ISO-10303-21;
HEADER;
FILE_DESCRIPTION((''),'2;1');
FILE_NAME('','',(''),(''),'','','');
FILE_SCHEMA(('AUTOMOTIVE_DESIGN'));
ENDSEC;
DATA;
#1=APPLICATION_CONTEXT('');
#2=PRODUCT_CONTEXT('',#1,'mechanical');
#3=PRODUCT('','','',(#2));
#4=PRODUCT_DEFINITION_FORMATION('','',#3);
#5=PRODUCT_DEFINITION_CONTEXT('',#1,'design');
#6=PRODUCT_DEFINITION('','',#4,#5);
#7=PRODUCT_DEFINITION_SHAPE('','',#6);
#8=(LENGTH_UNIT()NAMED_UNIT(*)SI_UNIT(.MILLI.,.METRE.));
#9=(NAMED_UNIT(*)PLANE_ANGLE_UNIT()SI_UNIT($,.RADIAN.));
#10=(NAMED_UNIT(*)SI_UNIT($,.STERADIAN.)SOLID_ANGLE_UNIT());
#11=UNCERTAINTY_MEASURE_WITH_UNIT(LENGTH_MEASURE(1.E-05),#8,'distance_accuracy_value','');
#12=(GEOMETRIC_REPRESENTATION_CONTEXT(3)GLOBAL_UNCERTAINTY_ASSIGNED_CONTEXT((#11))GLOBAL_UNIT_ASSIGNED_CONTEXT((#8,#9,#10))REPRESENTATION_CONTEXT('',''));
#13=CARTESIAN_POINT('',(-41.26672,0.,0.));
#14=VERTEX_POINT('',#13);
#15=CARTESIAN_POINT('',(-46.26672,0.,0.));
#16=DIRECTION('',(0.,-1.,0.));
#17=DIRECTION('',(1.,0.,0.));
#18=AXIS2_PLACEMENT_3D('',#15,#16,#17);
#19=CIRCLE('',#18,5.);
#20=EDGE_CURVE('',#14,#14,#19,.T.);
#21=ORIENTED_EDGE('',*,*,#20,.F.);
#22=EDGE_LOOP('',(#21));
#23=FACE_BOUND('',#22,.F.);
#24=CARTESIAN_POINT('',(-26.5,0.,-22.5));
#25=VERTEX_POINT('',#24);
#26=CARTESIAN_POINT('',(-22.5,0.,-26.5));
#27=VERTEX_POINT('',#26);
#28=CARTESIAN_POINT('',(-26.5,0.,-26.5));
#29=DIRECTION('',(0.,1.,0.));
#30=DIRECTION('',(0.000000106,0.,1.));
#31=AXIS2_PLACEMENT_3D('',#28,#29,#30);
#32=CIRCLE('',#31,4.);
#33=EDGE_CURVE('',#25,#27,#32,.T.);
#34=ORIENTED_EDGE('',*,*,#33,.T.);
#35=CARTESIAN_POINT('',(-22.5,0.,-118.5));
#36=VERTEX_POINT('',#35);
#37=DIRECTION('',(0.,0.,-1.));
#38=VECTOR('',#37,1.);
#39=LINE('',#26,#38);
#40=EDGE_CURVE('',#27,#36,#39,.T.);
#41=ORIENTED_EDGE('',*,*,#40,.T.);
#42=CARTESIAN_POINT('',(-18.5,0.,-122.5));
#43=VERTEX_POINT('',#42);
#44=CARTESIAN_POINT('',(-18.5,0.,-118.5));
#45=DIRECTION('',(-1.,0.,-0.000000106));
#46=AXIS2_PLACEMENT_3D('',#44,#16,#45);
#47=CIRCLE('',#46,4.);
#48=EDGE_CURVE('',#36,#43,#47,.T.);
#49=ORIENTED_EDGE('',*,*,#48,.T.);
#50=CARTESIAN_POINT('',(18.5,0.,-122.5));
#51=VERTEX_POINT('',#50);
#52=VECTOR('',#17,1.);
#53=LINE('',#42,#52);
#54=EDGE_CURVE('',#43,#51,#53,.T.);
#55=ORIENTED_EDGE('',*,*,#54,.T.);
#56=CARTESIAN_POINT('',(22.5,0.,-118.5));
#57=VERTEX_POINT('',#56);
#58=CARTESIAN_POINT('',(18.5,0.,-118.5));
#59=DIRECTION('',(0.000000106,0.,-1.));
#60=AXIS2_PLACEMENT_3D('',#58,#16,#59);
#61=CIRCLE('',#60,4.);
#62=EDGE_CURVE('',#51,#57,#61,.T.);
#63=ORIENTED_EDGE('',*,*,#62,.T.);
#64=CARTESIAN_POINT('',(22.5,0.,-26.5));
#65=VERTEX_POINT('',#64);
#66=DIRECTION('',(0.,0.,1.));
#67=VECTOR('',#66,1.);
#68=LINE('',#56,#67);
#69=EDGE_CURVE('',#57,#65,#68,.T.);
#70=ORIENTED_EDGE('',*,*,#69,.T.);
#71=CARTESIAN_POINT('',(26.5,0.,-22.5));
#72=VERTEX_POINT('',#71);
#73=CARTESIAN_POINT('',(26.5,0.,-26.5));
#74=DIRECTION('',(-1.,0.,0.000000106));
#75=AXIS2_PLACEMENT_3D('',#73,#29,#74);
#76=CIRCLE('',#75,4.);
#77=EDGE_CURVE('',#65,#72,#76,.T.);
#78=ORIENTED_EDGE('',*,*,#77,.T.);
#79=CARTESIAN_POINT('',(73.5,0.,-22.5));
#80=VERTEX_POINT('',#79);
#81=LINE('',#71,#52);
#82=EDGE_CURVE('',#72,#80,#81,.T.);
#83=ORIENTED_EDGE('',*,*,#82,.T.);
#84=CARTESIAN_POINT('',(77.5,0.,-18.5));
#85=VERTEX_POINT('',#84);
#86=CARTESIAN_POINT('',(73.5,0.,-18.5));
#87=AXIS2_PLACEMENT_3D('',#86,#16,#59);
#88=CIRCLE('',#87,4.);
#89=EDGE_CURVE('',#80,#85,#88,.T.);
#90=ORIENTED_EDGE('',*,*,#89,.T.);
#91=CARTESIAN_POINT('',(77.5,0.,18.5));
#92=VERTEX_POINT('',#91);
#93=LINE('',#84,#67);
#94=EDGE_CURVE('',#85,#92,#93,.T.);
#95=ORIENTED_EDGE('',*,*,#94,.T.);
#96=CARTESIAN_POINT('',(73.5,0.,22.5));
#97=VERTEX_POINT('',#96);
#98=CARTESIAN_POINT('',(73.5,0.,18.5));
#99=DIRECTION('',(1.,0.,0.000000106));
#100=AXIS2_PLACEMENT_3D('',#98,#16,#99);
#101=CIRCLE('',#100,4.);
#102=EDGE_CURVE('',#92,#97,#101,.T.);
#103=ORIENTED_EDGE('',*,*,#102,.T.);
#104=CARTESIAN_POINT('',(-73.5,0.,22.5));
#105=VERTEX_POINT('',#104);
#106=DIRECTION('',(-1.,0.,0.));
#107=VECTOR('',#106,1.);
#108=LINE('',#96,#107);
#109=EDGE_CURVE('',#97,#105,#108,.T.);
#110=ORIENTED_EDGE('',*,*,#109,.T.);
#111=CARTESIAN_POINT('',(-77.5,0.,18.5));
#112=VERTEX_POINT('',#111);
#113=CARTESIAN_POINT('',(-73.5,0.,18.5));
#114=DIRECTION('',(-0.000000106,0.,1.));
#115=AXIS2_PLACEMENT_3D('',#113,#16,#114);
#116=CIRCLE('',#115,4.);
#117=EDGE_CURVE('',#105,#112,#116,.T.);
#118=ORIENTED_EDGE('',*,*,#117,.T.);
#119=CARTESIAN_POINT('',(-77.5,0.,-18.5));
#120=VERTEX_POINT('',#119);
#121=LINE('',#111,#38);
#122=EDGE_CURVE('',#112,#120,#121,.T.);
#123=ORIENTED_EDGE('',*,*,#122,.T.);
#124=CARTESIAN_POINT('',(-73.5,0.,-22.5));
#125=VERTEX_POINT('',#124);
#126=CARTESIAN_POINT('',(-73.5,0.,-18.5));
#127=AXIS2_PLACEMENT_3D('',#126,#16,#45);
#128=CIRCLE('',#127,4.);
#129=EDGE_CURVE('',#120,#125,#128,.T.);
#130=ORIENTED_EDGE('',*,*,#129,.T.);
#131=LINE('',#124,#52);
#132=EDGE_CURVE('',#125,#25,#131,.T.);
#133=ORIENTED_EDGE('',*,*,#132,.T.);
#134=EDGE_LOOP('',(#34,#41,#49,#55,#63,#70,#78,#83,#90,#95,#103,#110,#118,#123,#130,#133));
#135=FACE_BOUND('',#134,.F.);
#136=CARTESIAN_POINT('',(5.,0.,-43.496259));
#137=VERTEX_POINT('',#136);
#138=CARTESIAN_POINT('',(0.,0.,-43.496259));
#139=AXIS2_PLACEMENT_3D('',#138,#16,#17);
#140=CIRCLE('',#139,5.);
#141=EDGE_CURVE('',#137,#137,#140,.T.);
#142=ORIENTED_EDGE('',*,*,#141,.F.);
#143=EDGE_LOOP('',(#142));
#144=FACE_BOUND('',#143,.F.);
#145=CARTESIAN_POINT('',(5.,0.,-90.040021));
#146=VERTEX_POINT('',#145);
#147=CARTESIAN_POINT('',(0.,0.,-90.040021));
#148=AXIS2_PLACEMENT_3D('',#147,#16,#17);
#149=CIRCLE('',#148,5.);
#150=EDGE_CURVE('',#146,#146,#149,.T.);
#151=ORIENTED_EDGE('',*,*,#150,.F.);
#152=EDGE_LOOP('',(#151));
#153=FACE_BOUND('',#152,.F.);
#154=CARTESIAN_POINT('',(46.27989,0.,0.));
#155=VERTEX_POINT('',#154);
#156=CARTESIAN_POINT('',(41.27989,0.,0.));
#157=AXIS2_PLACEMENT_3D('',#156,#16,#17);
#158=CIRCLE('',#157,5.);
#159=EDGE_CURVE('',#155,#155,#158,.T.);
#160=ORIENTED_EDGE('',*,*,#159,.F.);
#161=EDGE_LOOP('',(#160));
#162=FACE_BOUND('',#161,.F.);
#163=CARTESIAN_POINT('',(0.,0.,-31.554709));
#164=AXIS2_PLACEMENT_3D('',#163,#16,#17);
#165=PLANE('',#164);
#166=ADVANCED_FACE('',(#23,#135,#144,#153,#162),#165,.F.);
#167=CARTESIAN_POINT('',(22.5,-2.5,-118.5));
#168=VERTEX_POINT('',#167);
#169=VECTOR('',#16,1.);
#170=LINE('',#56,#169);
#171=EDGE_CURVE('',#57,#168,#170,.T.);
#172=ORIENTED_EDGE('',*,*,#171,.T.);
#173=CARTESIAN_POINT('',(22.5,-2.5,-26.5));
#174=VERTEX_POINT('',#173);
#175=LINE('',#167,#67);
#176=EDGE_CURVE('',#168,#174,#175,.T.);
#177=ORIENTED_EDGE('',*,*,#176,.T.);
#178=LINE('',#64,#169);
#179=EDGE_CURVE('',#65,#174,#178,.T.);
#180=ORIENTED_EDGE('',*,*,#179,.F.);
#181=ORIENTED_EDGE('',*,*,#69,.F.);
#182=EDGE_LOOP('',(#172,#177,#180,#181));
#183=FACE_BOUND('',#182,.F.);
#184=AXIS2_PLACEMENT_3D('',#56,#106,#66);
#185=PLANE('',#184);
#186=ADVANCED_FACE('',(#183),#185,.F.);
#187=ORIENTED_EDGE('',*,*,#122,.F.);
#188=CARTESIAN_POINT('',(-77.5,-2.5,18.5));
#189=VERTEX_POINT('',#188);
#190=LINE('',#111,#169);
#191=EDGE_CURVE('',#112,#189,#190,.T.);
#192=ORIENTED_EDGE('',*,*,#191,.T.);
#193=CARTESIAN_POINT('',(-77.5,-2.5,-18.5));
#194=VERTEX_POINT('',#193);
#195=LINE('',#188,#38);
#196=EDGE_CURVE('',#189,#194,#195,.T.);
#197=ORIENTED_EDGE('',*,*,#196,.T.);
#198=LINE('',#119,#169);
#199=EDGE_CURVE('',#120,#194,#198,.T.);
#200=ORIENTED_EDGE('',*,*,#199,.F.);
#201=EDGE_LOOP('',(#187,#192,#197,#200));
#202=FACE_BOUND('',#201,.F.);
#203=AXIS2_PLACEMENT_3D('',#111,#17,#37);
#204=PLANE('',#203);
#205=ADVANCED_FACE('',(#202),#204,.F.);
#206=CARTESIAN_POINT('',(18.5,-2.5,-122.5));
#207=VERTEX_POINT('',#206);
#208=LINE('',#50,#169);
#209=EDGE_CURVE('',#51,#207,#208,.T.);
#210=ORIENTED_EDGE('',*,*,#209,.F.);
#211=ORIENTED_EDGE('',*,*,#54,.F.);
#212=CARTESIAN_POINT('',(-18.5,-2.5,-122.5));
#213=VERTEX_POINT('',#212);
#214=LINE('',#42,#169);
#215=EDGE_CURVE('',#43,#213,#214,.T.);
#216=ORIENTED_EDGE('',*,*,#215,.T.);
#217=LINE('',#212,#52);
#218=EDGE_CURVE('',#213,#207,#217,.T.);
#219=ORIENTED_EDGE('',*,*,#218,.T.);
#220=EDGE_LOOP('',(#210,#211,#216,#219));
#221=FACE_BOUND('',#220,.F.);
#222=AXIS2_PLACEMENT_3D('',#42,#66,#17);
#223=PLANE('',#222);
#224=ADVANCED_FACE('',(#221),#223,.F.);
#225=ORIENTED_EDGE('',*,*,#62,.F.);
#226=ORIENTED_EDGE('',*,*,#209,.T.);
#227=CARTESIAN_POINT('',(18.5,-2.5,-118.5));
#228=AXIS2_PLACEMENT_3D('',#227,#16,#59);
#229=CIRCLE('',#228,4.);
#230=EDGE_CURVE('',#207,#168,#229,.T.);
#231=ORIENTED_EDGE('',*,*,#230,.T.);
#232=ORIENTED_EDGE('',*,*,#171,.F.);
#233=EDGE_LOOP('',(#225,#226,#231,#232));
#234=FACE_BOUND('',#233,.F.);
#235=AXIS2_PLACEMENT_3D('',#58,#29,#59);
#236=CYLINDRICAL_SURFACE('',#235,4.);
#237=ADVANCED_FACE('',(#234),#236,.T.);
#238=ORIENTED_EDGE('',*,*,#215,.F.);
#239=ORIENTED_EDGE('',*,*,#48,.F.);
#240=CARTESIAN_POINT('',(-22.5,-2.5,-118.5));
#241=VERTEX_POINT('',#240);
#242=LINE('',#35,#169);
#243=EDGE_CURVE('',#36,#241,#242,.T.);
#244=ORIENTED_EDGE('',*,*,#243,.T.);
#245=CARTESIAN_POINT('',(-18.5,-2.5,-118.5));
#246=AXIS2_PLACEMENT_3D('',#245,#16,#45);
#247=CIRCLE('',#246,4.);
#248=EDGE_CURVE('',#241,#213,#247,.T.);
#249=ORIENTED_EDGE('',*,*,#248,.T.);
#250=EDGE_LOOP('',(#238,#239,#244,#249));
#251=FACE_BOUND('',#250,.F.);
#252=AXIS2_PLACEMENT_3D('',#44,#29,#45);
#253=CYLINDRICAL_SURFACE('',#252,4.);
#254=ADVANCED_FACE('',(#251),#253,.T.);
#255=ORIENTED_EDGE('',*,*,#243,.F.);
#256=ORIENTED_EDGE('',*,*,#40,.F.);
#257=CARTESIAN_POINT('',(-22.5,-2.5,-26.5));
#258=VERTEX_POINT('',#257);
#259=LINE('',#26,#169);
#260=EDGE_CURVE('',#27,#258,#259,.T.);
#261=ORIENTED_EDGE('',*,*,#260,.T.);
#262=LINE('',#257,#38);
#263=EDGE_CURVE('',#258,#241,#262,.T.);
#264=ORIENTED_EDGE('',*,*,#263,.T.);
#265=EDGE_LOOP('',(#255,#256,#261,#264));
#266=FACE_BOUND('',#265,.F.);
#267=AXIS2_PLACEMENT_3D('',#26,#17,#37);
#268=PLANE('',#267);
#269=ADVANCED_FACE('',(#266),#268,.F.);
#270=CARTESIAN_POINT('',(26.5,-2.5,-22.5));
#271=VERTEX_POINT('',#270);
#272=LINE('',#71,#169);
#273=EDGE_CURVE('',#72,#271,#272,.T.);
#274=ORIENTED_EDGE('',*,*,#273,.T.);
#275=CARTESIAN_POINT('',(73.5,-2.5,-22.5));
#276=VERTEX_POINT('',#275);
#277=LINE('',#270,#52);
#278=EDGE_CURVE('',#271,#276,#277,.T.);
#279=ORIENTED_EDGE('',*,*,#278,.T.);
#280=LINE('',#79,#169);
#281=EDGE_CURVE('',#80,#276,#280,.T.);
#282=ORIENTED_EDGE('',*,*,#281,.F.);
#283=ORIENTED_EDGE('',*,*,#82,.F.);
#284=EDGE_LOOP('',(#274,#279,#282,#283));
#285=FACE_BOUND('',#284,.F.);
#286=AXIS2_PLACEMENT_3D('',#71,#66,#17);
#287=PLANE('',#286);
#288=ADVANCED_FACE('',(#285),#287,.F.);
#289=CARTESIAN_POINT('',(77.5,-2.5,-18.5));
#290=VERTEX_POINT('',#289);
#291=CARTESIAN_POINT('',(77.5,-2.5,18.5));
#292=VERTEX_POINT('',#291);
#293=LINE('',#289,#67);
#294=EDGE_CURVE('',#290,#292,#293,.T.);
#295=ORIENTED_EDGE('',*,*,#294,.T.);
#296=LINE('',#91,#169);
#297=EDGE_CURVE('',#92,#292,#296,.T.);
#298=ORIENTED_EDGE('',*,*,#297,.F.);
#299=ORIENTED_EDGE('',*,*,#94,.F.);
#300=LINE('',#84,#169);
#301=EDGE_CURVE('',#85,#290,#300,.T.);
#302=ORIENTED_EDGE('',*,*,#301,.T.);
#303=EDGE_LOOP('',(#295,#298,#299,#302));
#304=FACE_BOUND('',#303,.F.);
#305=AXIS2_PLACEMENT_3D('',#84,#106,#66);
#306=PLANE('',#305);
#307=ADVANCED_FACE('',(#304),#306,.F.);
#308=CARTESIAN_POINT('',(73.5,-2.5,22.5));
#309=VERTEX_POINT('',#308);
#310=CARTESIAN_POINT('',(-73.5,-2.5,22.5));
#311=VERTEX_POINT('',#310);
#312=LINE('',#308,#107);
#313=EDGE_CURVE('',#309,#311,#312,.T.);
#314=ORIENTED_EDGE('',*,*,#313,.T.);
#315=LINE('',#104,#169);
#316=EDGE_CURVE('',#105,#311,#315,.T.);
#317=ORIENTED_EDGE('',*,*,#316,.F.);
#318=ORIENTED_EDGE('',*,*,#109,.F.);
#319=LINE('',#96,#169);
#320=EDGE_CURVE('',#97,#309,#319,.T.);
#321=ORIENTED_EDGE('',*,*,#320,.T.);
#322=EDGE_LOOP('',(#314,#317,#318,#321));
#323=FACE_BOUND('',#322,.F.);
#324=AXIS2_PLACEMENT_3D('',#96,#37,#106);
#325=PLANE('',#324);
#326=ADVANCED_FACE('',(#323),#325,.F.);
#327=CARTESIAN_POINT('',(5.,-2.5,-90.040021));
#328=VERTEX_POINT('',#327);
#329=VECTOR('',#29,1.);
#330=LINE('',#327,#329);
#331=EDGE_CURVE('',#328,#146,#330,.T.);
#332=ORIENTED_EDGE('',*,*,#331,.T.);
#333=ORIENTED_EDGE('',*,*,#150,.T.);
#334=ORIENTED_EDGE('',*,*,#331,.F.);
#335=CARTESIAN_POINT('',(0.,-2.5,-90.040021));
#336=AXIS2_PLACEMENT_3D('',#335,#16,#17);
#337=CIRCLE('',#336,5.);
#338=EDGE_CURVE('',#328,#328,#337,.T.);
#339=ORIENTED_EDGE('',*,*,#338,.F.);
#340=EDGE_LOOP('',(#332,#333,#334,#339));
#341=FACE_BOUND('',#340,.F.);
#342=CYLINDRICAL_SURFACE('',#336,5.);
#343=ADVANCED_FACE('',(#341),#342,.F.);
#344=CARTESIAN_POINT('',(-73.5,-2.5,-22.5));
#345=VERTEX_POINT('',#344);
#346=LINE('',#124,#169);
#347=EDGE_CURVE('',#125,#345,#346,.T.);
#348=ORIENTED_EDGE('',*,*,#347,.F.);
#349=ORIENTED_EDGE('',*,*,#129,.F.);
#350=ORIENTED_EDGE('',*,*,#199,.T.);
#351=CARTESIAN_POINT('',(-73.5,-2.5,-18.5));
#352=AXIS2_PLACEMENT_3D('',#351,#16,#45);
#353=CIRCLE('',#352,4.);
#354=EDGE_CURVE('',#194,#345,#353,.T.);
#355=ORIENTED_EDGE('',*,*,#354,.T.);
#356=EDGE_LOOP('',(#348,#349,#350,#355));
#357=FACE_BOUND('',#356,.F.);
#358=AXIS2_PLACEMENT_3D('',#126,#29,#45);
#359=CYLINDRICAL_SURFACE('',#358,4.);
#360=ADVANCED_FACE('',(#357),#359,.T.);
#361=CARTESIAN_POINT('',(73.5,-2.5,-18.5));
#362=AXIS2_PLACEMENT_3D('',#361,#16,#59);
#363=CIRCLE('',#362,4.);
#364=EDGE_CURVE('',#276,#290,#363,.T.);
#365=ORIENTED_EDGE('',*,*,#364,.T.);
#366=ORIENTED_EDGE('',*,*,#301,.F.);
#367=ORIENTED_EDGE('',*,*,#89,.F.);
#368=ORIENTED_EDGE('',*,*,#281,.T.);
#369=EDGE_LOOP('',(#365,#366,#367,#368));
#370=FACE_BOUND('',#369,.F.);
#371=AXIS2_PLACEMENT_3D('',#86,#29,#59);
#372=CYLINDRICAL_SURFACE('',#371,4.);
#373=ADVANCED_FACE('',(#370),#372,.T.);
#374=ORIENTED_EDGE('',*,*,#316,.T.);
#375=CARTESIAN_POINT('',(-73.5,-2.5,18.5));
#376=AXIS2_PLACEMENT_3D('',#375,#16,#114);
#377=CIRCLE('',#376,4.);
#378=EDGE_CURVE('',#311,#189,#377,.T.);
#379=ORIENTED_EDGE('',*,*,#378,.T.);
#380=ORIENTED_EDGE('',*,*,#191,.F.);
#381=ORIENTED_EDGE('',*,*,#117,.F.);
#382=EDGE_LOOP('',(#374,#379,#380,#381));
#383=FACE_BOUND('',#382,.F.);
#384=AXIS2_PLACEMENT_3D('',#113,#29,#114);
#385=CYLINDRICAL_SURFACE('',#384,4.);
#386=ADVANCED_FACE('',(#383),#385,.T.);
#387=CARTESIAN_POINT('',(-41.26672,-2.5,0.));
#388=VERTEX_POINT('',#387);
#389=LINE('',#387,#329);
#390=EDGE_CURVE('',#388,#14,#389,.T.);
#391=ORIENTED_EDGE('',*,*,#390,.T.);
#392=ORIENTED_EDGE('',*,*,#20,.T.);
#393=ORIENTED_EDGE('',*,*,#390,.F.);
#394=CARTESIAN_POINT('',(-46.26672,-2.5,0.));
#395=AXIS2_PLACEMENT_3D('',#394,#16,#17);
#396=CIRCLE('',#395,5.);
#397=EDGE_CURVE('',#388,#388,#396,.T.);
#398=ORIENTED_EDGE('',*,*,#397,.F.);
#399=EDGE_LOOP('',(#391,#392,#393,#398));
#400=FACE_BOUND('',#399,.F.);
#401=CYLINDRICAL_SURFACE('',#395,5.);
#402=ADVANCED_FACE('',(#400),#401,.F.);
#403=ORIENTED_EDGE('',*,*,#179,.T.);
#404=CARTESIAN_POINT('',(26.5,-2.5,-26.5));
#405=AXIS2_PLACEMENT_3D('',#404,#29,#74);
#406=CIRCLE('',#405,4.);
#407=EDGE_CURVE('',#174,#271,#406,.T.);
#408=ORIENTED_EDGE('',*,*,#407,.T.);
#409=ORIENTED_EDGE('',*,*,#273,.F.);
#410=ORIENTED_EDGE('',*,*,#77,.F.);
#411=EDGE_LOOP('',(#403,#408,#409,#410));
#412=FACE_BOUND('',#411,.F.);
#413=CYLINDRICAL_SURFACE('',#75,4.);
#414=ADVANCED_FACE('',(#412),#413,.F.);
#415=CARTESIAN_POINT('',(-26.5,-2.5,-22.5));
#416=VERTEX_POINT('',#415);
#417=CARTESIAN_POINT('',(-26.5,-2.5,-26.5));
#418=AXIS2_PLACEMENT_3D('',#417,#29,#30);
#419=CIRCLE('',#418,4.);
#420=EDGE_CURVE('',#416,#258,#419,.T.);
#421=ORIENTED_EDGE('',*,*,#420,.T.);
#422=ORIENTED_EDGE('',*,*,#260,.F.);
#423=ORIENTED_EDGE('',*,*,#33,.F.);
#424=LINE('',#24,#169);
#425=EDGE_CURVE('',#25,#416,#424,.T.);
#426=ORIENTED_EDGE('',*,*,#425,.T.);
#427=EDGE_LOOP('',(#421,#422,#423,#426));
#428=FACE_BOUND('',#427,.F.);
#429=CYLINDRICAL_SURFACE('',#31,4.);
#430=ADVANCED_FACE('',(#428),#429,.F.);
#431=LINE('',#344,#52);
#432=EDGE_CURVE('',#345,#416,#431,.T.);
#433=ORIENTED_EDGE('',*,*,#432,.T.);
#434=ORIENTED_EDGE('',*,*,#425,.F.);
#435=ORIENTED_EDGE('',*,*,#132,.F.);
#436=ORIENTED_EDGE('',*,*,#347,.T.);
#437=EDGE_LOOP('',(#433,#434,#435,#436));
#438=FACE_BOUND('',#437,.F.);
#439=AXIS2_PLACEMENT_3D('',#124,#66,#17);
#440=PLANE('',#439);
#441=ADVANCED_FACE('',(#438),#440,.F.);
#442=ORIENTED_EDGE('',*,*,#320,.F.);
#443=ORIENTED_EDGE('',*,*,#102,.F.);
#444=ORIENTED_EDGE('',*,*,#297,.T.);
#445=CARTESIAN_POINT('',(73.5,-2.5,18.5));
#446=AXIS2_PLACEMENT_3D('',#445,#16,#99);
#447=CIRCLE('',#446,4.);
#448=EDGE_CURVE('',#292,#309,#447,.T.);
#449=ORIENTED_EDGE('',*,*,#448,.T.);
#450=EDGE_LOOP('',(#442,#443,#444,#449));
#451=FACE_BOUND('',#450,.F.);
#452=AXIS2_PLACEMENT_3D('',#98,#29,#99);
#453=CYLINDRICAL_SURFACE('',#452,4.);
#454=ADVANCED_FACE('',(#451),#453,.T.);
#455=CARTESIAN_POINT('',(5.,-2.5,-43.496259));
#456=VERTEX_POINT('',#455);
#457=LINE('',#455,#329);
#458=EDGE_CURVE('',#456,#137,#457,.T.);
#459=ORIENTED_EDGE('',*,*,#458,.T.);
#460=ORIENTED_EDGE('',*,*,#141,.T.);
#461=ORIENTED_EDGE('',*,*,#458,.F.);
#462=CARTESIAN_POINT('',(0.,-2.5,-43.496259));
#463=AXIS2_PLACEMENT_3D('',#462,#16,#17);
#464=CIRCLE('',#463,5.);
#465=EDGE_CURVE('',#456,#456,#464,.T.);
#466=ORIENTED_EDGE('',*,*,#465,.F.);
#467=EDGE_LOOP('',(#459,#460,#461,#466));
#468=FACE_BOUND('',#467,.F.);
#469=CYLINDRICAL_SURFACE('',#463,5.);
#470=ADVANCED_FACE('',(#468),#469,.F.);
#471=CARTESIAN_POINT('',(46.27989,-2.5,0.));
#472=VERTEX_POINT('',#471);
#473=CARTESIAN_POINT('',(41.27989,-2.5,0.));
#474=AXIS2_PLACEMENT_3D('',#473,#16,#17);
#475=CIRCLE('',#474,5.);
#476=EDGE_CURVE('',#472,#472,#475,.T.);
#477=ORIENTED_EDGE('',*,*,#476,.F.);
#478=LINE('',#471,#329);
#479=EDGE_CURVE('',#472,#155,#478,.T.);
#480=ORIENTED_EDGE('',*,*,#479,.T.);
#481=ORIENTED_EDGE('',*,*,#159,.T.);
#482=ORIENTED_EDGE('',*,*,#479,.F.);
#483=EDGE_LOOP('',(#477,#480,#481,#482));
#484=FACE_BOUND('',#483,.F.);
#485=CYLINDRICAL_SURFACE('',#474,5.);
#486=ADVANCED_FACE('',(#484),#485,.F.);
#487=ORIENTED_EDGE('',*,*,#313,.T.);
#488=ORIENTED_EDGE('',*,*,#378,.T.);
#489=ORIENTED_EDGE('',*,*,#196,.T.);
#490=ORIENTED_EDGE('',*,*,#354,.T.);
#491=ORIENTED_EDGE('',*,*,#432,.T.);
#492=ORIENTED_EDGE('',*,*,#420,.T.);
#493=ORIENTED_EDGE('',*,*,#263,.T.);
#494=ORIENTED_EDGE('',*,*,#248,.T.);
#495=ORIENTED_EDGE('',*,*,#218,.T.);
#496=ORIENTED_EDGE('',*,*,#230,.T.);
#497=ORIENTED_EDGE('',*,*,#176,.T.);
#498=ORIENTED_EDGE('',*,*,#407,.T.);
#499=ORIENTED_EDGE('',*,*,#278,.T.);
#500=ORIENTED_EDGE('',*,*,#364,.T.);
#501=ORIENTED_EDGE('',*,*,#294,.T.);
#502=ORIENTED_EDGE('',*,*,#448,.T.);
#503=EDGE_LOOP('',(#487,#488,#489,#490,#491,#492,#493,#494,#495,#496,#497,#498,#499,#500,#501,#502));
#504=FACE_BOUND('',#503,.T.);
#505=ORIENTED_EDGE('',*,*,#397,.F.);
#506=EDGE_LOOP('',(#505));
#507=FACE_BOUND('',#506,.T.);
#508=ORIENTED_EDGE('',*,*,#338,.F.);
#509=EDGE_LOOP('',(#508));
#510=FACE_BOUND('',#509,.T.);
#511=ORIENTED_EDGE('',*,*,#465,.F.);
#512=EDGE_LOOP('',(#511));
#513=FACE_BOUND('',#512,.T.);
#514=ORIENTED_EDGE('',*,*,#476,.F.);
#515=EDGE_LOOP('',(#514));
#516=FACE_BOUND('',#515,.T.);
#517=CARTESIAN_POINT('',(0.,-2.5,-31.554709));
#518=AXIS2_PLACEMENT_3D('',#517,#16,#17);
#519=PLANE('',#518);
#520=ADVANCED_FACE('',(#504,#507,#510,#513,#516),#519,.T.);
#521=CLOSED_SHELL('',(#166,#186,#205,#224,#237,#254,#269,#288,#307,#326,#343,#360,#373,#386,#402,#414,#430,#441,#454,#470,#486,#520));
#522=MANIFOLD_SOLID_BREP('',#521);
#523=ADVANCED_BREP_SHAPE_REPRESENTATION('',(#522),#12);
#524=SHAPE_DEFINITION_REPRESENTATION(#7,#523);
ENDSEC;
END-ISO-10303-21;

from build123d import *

# Parameters (mm, degrees)
F1_DEPTH = 2.5
F2_R     = 5
F3_DEPTH = 2.501


with BuildPart() as f1:
    # F0 (on Front) → F1 (new body)
    with BuildSketch(Plane.XZ):
        with BuildLine():
            ThreePointArc((77.5, 18.5), (76.328427, 21.328427), (73.5, 22.5))
            Line((73.5, 22.5), (-73.5, 22.5))
            ThreePointArc((-73.5, 22.5), (-76.328427, 21.328427), (-77.5, 18.5))
            Line((-77.5, 18.5), (-77.5, -18.5))
            ThreePointArc((-77.5, -18.5), (-76.328427, -21.328427), (-73.5, -22.5))
            Line((-73.5, -22.5), (-26.5, -22.5))
            ThreePointArc((-26.5, -22.5), (-23.671573, -23.671573), (-22.5, -26.5))
            Line((-22.5, -26.5), (-22.5, -118.5))
            ThreePointArc((-22.5, -118.5), (-21.328427, -121.328427), (-18.5, -122.5))
            Line((-18.5, -122.5), (18.5, -122.5))
            ThreePointArc((18.5, -122.5), (21.328427, -121.328427), (22.5, -118.5))
            Line((22.5, -118.5), (22.5, -26.5))
            ThreePointArc((22.5, -26.5), (23.671573, -23.671573), (26.5, -22.5))
            Line((26.5, -22.5), (73.5, -22.5))
            ThreePointArc((73.5, -22.5), (76.328427, -21.328427), (77.5, -18.5))
            Line((77.5, -18.5), (77.5, 18.5))
        make_face()
    extrude(amount=F1_DEPTH)

    # F2 (on face) → F3 (cut, through all)
    with BuildSketch(Plane.XZ.offset(2.5)):
        with Locations((-46.26672, 0)):
            Circle(F2_R)
        with Locations((41.27989, 0)):
            Circle(F2_R)
        with Locations((0, -43.496259)):
            Circle(F2_R)
        with Locations((0, -90.040021)):
            Circle(F2_R)
    extrude(amount=-F3_DEPTH, mode=Mode.SUBTRACT)


solid = f1.part
